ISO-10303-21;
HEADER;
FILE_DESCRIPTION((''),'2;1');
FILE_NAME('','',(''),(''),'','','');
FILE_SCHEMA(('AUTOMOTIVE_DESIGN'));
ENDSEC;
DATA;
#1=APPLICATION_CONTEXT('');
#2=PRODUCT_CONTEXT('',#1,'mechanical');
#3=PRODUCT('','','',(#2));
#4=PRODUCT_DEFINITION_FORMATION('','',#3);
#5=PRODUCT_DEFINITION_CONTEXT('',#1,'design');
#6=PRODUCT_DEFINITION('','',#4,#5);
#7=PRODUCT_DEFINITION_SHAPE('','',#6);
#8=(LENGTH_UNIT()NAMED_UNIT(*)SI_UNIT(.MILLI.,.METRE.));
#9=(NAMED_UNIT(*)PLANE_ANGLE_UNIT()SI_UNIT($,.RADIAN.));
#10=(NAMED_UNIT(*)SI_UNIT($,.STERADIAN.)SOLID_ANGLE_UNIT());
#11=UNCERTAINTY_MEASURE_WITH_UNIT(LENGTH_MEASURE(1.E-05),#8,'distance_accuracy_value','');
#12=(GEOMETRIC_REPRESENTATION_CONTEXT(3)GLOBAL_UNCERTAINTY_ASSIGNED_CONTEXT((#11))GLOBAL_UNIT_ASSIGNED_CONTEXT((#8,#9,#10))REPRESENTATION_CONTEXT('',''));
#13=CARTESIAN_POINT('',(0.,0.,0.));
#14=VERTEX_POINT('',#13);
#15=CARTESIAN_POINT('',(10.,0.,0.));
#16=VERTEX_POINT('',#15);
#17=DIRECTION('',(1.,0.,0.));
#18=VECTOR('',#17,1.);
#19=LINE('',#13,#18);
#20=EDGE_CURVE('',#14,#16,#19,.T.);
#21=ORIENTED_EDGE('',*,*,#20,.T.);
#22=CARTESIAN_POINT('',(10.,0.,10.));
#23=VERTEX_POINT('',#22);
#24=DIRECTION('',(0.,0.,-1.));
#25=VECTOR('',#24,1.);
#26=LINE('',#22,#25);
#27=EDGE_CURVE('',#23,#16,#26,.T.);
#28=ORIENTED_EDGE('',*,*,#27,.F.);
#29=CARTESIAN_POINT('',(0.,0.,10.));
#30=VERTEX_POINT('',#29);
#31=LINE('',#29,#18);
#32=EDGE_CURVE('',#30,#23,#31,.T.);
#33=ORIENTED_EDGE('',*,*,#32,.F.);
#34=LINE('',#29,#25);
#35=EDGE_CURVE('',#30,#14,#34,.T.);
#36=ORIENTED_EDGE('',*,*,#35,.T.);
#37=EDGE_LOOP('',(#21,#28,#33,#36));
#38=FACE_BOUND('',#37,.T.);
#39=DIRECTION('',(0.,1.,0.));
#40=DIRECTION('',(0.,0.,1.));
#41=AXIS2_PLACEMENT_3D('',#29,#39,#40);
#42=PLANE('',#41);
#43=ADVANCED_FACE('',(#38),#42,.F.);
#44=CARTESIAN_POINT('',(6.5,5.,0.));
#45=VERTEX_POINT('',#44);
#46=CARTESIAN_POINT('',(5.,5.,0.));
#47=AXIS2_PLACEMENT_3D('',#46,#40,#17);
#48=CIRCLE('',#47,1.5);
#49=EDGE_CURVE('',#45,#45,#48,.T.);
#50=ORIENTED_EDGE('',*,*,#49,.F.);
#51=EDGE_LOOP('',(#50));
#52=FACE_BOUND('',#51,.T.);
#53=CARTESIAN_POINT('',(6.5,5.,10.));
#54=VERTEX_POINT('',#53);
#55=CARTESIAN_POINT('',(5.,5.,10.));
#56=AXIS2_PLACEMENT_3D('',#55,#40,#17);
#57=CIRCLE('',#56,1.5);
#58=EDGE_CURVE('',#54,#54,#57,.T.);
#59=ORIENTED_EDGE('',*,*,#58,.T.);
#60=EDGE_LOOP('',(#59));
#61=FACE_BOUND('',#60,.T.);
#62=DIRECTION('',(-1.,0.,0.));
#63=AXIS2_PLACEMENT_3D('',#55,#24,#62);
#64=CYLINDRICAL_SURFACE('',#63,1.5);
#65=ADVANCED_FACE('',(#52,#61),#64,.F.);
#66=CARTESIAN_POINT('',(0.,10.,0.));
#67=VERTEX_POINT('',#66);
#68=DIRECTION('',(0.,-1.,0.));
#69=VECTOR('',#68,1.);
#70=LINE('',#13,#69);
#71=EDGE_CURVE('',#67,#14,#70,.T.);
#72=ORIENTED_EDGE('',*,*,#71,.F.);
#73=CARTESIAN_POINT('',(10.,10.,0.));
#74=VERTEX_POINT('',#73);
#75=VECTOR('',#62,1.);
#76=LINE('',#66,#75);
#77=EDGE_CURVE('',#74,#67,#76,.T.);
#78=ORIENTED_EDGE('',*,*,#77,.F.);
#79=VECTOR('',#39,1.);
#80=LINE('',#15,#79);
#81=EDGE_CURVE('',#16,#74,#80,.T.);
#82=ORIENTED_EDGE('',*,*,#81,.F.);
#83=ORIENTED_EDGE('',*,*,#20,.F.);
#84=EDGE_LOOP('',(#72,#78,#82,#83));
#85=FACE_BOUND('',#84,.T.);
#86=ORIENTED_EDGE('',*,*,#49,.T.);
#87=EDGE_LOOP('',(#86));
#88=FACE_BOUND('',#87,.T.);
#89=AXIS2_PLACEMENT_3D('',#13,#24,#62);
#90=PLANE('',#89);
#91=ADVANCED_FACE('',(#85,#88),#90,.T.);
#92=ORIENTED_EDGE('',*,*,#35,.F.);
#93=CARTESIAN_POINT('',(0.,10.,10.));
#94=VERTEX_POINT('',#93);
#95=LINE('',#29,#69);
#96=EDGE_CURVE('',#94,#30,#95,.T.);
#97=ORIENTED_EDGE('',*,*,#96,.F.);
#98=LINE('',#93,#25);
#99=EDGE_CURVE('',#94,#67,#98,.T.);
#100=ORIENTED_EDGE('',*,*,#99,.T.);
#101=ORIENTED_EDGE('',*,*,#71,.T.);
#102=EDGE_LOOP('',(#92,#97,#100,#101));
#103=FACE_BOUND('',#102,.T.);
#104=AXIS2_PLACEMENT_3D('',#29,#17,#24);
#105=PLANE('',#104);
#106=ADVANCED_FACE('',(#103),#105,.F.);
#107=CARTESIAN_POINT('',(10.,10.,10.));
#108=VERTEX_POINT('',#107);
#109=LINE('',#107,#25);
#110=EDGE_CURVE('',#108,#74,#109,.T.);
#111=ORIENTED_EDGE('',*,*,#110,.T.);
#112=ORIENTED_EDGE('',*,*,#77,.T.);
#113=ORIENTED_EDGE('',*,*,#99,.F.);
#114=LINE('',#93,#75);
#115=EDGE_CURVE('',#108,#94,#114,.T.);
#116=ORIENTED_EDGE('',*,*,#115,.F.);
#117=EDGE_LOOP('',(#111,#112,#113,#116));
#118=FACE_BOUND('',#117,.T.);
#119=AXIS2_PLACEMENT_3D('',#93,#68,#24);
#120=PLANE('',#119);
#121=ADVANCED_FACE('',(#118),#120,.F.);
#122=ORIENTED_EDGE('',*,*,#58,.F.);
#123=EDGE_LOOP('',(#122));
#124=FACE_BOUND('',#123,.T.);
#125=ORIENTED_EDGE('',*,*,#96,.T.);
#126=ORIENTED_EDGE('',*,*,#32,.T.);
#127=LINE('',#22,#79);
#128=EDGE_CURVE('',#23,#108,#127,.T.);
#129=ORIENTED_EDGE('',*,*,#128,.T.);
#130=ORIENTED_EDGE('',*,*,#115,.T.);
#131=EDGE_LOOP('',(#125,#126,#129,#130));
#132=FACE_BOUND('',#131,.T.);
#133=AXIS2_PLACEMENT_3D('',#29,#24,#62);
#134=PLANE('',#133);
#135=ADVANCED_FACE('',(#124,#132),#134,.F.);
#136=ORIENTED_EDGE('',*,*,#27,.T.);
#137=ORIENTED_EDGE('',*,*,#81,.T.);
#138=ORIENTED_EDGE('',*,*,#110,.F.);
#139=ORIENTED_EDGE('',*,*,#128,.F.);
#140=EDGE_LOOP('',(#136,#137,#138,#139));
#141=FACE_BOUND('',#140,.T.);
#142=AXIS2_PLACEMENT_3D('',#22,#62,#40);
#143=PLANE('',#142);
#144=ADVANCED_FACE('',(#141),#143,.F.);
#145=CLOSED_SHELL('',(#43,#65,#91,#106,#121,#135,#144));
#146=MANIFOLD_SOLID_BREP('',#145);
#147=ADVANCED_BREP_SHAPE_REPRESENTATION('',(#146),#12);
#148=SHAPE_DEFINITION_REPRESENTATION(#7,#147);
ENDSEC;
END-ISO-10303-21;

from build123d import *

# Parameters (mm, degrees)
SKETCH1_W           = 10
SKETCH1_H           = 10
BOSS_EXTRUDE1_DEPTH = 10
SKETCH2_R           = 1.5
CUT_EXTRUDE2_DEPTH  = 18.320508076


with BuildPart() as part:
    # Sketch1 → Boss-Extrude1 (new body)
    with BuildSketch(Plane.XY):
        with Locations((5, 5)):
            Rectangle(SKETCH1_W, SKETCH1_H)
    extrude(amount=BOSS_EXTRUDE1_DEPTH)

    # Sketch2 → Cut-Extrude2 (cut, through all)
    with BuildSketch(Plane.XY):
        with Locations((5, 5)):
            Circle(SKETCH2_R)
    extrude(amount=CUT_EXTRUDE2_DEPTH, mode=Mode.SUBTRACT)


solid = part.part
